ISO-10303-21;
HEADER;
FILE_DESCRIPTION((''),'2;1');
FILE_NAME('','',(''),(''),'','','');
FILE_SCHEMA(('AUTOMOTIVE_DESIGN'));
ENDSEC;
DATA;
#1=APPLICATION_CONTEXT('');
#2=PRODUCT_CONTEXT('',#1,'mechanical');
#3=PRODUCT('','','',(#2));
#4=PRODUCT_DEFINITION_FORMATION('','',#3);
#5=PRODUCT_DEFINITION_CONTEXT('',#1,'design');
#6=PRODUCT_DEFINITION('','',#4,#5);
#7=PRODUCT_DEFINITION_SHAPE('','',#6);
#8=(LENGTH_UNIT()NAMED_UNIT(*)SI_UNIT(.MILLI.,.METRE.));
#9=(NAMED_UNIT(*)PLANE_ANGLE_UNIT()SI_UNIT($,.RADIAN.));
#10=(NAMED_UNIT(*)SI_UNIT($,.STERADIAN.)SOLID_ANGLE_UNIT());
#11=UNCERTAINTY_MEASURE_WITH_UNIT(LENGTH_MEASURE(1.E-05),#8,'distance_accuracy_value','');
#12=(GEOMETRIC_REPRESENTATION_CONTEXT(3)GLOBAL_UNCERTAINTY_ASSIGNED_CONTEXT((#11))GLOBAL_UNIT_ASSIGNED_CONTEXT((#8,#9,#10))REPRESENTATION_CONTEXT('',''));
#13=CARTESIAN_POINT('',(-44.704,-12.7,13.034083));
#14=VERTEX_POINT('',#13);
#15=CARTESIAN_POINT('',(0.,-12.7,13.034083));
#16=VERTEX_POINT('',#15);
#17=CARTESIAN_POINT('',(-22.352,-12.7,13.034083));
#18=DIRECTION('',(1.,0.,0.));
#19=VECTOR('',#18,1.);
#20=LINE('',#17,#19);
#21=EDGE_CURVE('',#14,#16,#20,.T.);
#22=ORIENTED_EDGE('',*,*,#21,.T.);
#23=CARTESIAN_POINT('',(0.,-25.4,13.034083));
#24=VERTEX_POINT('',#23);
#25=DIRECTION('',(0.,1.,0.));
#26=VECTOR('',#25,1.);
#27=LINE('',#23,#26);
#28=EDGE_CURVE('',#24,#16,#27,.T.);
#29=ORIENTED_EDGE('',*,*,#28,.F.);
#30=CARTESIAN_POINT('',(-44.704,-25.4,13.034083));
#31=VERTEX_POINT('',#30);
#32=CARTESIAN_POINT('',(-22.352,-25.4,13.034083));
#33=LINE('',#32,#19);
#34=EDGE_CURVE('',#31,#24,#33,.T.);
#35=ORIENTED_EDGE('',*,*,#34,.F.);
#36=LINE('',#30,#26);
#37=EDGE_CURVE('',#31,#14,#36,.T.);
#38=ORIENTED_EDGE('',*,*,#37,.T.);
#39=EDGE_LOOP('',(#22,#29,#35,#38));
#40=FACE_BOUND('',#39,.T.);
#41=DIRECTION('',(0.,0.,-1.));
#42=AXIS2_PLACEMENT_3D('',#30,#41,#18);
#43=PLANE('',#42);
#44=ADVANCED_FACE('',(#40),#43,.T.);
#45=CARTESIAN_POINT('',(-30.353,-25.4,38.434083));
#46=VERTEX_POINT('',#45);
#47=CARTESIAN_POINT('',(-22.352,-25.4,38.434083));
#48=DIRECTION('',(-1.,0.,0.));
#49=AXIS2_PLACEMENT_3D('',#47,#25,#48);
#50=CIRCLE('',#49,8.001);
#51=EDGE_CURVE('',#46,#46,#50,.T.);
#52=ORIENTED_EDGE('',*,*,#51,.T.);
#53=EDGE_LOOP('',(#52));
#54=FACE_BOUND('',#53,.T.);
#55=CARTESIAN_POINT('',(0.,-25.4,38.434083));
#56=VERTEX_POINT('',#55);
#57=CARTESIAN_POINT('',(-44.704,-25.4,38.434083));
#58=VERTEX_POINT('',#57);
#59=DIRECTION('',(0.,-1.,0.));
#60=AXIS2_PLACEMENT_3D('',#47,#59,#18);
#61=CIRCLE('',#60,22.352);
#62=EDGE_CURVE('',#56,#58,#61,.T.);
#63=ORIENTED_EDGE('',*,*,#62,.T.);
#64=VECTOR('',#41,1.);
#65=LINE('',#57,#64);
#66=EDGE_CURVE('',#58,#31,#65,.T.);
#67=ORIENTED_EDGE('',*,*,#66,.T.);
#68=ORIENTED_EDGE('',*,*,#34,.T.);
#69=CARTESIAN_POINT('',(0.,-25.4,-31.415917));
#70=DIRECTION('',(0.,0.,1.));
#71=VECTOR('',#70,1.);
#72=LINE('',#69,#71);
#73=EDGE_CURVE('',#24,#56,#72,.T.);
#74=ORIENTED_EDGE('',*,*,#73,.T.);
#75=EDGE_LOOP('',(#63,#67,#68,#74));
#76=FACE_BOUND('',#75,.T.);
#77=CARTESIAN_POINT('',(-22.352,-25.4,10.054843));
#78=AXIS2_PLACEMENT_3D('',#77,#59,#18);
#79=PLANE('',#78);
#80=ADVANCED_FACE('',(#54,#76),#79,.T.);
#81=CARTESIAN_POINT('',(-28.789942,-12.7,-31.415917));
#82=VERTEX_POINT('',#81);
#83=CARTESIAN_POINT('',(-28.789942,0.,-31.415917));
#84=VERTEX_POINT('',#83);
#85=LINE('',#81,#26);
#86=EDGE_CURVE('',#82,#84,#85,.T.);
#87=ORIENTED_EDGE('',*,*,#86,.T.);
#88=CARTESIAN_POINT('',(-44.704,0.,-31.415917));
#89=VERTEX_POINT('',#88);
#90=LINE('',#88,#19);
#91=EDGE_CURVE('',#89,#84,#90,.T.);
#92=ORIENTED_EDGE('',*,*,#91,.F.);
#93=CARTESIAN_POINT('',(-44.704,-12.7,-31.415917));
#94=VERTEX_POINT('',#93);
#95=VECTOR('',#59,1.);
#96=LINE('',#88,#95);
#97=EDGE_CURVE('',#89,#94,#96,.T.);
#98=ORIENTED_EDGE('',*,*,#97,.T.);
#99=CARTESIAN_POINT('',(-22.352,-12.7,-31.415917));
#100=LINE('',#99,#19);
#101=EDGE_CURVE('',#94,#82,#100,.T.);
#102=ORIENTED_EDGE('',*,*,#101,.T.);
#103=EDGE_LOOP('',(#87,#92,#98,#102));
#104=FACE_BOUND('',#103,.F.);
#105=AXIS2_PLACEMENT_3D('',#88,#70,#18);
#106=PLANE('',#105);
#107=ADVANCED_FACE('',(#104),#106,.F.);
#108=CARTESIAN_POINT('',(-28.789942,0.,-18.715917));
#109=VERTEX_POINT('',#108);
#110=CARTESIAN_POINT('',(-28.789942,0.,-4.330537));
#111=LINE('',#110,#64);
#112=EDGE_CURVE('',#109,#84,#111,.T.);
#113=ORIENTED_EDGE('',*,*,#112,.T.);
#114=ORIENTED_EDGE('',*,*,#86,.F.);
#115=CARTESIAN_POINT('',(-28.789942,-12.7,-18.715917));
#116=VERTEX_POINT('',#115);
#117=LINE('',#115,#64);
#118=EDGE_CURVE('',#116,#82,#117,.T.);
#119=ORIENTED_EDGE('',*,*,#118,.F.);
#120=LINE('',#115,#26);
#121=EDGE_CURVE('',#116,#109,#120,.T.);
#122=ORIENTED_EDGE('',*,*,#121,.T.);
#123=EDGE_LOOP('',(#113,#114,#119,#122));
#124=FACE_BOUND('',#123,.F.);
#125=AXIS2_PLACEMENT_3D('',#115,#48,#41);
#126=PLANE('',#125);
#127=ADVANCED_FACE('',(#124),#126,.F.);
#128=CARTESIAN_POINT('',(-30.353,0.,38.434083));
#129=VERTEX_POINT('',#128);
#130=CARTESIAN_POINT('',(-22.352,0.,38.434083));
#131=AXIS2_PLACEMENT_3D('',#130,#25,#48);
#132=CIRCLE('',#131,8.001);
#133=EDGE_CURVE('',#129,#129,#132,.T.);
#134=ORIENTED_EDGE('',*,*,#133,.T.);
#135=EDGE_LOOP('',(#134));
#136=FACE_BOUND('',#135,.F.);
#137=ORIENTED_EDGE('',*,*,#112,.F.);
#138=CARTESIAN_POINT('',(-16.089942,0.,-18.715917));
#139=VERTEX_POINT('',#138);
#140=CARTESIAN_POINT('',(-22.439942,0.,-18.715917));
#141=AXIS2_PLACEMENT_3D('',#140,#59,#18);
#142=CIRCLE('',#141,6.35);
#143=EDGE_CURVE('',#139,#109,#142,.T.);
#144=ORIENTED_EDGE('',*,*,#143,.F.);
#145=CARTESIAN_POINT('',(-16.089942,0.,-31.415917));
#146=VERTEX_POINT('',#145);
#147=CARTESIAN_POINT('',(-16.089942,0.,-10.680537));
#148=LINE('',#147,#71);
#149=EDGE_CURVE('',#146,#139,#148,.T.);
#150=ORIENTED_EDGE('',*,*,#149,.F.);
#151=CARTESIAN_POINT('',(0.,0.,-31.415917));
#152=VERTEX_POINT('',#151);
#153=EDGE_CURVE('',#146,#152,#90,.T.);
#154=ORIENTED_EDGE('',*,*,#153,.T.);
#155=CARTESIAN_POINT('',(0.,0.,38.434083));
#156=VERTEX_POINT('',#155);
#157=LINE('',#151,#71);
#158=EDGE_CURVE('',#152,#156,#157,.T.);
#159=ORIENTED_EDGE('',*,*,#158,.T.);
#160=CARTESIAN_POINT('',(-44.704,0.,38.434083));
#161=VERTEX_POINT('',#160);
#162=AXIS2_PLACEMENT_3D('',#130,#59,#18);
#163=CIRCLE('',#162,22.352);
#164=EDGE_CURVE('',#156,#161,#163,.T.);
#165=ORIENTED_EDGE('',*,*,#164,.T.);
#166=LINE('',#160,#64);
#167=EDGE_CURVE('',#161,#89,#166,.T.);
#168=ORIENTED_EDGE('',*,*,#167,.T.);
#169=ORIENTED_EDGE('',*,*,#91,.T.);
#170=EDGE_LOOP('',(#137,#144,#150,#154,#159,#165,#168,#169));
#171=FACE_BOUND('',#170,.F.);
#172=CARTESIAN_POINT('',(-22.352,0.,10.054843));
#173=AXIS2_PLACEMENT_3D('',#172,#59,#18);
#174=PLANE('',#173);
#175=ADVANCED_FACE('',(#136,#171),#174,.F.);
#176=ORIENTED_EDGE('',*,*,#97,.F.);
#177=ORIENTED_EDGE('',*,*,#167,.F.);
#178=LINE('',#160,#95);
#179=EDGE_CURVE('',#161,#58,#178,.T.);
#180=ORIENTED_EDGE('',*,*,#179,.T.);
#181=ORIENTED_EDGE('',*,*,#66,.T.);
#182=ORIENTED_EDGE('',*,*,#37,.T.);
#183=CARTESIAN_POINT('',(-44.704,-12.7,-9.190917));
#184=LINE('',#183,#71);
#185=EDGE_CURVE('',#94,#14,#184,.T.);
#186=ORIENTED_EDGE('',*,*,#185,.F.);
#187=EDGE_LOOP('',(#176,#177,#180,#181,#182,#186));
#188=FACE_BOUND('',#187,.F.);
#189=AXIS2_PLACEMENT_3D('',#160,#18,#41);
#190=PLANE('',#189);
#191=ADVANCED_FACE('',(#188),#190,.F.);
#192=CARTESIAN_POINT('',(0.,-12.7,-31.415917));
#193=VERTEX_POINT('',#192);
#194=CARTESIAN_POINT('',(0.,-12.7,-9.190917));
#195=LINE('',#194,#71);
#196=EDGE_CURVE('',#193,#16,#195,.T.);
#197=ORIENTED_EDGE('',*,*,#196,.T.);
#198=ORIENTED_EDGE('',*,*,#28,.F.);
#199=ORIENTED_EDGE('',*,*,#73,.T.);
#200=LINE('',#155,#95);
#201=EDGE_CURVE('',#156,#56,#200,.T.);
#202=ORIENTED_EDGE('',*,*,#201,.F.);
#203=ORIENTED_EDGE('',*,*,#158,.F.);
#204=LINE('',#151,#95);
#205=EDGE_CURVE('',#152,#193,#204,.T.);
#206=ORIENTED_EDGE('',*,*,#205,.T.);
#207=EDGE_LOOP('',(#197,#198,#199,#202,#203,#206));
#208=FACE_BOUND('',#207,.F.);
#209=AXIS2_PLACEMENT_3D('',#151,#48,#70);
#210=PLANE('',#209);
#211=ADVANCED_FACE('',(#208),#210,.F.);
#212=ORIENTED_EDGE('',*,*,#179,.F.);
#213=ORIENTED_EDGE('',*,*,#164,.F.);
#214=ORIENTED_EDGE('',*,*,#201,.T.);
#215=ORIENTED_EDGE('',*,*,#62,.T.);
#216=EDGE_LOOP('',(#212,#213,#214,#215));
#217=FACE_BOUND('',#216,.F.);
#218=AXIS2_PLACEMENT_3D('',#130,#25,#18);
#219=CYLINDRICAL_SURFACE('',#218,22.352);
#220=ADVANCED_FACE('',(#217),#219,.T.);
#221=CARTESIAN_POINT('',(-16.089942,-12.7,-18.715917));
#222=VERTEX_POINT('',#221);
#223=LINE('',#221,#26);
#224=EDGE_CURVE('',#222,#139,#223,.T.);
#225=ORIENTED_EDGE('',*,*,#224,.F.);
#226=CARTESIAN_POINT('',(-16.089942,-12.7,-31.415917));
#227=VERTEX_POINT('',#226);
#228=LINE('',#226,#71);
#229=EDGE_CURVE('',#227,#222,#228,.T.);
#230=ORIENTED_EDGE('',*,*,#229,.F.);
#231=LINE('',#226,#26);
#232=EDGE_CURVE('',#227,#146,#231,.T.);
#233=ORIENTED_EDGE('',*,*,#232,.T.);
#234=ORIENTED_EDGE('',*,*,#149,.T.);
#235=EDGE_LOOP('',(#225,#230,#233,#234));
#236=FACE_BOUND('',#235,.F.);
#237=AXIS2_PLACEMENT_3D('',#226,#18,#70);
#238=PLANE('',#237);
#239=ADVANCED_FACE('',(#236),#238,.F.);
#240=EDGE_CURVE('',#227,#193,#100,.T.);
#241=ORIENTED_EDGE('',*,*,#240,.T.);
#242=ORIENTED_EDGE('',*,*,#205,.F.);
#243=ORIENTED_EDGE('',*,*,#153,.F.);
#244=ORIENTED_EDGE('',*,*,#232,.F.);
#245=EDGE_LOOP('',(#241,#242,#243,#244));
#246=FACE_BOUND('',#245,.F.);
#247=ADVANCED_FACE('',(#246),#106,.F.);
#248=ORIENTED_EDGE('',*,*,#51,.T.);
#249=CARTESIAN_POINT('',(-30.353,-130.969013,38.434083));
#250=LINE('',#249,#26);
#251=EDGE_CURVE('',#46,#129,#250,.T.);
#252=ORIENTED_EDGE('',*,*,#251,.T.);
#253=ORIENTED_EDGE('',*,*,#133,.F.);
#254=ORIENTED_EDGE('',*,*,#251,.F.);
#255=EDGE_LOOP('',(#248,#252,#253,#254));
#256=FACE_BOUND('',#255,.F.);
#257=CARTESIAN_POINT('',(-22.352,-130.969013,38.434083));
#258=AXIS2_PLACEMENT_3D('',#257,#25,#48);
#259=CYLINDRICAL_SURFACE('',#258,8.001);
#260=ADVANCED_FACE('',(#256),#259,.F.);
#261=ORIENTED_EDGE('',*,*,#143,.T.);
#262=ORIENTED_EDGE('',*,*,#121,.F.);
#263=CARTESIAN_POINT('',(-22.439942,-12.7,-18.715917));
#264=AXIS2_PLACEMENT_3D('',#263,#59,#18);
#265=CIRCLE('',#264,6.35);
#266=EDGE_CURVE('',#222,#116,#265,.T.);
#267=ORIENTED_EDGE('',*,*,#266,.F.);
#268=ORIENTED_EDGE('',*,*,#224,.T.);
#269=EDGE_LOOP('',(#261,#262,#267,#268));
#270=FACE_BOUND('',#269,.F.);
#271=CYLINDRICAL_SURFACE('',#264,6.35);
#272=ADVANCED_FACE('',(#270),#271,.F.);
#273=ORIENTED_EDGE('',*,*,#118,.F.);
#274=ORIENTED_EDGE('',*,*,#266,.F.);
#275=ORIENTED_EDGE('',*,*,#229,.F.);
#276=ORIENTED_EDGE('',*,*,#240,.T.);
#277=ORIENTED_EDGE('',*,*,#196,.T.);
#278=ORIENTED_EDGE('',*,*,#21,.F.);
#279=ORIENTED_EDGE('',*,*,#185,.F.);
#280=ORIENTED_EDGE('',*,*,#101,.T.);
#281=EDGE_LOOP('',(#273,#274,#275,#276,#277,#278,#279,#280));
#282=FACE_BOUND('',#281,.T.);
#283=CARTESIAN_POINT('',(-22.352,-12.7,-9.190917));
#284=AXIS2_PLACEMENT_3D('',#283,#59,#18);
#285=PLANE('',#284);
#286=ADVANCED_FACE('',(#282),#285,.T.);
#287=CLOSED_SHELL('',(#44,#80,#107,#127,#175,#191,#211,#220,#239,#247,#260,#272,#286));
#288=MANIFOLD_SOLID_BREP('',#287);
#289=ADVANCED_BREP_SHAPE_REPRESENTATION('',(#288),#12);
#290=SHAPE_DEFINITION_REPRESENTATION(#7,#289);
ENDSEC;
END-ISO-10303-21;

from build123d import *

# Parameters (mm, degrees)
F1_DEPTH = 25.4
F2_W     = 44.704
F2_H     = 44.45
F3_DEPTH = 12.7
F5_D     = 16.002
F7_DEPTH = 25.4


with BuildPart() as f1:
    # F0 (on Front) → F1 (new body)
    with BuildSketch(Plane.XZ):
        with BuildLine():
            Line((-44.704, 38.4340830207), (-44.704, -31.4159169793))
            Line((-44.704, -31.4159169793), (0, -31.4159169793))
            Line((0, -31.4159169793), (0, 38.4340830207))
            ThreePointArc((0, 38.4340830207), (-22.352, 60.7860830207), (-44.704, 38.4340830207))
        make_face()
    extrude(amount=F1_DEPTH)

    # F2 (on face) → F3 (cut)
    with BuildSketch(Plane.XZ.offset(25.4)):
        with Locations((-22.352, -9.1909169793)):
            Rectangle(F2_W, F2_H)
    extrude(amount=-F3_DEPTH, mode=Mode.SUBTRACT)

    # F5 (through all)
    with Locations(Plane.XZ.offset(25.4)):
        with Locations((-22.352, 38.4340830207)):
            Hole(F5_D / 2)

    # F6 (on face) → F7 (cut)
    with BuildSketch(Plane.XZ.offset(12.7)):
        with BuildLine():
            Line((-28.7899417639, -18.7159169793), (-28.7899417639, -31.4159169793))
            Line((-28.7899417639, -31.4159169793), (-16.0899417639, -31.4159169793))
            Line((-16.0899417639, -31.4159169793), (-16.0899417639, -18.7159169793))
            ThreePointArc((-16.0899417639, -18.7159169793), (-22.4399417639, -12.3659169793), (-28.7899417639, -18.7159169793))
        make_face()
    extrude(amount=-F7_DEPTH, mode=Mode.SUBTRACT)


solid = f1.part
